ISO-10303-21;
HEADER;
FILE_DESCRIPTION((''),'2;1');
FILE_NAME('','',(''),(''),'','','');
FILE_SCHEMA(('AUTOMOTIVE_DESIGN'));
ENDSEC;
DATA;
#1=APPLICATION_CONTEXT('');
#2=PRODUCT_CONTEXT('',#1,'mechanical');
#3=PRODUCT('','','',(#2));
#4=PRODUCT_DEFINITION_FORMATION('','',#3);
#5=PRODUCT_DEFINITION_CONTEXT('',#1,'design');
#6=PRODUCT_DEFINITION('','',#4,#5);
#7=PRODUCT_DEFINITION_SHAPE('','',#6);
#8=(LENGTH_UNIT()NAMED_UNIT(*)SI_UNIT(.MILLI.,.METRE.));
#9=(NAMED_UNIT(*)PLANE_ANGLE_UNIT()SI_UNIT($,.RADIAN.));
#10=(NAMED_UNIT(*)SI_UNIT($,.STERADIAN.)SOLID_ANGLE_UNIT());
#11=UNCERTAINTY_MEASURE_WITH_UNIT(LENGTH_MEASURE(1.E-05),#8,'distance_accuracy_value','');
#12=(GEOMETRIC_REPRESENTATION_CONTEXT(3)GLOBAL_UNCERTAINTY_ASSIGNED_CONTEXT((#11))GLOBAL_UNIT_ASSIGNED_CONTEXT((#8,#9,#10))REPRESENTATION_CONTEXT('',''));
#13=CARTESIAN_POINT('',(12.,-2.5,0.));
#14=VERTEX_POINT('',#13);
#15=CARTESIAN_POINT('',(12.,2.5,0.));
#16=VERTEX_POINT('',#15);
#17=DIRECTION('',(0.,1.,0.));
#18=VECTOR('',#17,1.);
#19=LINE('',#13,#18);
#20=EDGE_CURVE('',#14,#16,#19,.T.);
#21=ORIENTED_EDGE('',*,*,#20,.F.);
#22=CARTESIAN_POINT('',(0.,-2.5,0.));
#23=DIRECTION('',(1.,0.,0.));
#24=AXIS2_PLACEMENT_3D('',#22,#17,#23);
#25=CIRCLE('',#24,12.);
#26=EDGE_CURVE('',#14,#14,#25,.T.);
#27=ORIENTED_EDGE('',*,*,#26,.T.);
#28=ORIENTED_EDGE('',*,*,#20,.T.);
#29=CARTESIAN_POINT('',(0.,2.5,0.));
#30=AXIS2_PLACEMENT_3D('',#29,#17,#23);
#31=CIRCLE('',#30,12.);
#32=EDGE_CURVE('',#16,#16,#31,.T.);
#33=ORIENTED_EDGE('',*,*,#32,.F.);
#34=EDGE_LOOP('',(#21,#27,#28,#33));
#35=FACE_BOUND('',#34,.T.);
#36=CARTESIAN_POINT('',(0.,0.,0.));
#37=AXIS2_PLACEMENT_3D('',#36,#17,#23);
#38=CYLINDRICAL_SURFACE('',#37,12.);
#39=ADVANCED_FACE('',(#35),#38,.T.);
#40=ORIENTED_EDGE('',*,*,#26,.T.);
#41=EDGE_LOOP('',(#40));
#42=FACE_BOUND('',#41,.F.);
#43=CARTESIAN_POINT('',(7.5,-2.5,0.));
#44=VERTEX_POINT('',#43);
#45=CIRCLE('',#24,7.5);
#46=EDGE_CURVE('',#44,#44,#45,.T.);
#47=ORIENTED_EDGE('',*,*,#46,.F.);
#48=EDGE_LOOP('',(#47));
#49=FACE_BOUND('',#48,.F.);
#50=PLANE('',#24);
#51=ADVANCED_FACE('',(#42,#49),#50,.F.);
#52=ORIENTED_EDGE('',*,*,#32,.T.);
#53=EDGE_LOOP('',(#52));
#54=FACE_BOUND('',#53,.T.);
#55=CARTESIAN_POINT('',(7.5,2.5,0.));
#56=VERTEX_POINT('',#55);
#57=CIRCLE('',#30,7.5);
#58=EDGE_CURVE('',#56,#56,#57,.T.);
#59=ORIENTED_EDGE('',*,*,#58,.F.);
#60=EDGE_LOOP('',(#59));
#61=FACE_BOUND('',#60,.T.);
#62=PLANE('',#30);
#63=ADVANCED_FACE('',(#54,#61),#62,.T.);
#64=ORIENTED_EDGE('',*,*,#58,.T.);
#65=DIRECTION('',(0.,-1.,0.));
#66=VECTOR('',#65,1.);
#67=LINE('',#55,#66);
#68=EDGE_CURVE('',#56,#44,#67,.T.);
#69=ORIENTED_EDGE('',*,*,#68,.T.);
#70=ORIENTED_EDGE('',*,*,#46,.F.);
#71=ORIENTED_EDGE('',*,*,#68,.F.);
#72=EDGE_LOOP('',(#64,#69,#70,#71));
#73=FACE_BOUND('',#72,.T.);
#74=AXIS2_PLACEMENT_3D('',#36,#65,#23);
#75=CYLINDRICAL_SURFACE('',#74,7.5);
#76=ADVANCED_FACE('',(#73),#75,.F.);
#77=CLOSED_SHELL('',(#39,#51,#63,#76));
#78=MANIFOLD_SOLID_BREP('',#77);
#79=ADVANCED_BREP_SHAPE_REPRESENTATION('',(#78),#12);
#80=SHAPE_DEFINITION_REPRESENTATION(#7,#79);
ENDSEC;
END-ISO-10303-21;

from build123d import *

# Parameters (mm, degrees)
SKETCH1_R           = 12.000000003
SKETCH1_R_2         = 7.499999986
BOSS_EXTRUDE1_DEPTH = 2.499999953


with BuildPart() as part:
    # Sketch1 → Boss-Extrude1 (new body, symmetric)
    with BuildSketch(Plane(origin=(0, 0, 0), x_dir=(1, 0, 0), z_dir=(0, 1, 0))):
        Circle(SKETCH1_R)
        Circle(SKETCH1_R_2, mode=Mode.SUBTRACT)
    extrude(amount=BOSS_EXTRUDE1_DEPTH, both=True)


solid = part.part
